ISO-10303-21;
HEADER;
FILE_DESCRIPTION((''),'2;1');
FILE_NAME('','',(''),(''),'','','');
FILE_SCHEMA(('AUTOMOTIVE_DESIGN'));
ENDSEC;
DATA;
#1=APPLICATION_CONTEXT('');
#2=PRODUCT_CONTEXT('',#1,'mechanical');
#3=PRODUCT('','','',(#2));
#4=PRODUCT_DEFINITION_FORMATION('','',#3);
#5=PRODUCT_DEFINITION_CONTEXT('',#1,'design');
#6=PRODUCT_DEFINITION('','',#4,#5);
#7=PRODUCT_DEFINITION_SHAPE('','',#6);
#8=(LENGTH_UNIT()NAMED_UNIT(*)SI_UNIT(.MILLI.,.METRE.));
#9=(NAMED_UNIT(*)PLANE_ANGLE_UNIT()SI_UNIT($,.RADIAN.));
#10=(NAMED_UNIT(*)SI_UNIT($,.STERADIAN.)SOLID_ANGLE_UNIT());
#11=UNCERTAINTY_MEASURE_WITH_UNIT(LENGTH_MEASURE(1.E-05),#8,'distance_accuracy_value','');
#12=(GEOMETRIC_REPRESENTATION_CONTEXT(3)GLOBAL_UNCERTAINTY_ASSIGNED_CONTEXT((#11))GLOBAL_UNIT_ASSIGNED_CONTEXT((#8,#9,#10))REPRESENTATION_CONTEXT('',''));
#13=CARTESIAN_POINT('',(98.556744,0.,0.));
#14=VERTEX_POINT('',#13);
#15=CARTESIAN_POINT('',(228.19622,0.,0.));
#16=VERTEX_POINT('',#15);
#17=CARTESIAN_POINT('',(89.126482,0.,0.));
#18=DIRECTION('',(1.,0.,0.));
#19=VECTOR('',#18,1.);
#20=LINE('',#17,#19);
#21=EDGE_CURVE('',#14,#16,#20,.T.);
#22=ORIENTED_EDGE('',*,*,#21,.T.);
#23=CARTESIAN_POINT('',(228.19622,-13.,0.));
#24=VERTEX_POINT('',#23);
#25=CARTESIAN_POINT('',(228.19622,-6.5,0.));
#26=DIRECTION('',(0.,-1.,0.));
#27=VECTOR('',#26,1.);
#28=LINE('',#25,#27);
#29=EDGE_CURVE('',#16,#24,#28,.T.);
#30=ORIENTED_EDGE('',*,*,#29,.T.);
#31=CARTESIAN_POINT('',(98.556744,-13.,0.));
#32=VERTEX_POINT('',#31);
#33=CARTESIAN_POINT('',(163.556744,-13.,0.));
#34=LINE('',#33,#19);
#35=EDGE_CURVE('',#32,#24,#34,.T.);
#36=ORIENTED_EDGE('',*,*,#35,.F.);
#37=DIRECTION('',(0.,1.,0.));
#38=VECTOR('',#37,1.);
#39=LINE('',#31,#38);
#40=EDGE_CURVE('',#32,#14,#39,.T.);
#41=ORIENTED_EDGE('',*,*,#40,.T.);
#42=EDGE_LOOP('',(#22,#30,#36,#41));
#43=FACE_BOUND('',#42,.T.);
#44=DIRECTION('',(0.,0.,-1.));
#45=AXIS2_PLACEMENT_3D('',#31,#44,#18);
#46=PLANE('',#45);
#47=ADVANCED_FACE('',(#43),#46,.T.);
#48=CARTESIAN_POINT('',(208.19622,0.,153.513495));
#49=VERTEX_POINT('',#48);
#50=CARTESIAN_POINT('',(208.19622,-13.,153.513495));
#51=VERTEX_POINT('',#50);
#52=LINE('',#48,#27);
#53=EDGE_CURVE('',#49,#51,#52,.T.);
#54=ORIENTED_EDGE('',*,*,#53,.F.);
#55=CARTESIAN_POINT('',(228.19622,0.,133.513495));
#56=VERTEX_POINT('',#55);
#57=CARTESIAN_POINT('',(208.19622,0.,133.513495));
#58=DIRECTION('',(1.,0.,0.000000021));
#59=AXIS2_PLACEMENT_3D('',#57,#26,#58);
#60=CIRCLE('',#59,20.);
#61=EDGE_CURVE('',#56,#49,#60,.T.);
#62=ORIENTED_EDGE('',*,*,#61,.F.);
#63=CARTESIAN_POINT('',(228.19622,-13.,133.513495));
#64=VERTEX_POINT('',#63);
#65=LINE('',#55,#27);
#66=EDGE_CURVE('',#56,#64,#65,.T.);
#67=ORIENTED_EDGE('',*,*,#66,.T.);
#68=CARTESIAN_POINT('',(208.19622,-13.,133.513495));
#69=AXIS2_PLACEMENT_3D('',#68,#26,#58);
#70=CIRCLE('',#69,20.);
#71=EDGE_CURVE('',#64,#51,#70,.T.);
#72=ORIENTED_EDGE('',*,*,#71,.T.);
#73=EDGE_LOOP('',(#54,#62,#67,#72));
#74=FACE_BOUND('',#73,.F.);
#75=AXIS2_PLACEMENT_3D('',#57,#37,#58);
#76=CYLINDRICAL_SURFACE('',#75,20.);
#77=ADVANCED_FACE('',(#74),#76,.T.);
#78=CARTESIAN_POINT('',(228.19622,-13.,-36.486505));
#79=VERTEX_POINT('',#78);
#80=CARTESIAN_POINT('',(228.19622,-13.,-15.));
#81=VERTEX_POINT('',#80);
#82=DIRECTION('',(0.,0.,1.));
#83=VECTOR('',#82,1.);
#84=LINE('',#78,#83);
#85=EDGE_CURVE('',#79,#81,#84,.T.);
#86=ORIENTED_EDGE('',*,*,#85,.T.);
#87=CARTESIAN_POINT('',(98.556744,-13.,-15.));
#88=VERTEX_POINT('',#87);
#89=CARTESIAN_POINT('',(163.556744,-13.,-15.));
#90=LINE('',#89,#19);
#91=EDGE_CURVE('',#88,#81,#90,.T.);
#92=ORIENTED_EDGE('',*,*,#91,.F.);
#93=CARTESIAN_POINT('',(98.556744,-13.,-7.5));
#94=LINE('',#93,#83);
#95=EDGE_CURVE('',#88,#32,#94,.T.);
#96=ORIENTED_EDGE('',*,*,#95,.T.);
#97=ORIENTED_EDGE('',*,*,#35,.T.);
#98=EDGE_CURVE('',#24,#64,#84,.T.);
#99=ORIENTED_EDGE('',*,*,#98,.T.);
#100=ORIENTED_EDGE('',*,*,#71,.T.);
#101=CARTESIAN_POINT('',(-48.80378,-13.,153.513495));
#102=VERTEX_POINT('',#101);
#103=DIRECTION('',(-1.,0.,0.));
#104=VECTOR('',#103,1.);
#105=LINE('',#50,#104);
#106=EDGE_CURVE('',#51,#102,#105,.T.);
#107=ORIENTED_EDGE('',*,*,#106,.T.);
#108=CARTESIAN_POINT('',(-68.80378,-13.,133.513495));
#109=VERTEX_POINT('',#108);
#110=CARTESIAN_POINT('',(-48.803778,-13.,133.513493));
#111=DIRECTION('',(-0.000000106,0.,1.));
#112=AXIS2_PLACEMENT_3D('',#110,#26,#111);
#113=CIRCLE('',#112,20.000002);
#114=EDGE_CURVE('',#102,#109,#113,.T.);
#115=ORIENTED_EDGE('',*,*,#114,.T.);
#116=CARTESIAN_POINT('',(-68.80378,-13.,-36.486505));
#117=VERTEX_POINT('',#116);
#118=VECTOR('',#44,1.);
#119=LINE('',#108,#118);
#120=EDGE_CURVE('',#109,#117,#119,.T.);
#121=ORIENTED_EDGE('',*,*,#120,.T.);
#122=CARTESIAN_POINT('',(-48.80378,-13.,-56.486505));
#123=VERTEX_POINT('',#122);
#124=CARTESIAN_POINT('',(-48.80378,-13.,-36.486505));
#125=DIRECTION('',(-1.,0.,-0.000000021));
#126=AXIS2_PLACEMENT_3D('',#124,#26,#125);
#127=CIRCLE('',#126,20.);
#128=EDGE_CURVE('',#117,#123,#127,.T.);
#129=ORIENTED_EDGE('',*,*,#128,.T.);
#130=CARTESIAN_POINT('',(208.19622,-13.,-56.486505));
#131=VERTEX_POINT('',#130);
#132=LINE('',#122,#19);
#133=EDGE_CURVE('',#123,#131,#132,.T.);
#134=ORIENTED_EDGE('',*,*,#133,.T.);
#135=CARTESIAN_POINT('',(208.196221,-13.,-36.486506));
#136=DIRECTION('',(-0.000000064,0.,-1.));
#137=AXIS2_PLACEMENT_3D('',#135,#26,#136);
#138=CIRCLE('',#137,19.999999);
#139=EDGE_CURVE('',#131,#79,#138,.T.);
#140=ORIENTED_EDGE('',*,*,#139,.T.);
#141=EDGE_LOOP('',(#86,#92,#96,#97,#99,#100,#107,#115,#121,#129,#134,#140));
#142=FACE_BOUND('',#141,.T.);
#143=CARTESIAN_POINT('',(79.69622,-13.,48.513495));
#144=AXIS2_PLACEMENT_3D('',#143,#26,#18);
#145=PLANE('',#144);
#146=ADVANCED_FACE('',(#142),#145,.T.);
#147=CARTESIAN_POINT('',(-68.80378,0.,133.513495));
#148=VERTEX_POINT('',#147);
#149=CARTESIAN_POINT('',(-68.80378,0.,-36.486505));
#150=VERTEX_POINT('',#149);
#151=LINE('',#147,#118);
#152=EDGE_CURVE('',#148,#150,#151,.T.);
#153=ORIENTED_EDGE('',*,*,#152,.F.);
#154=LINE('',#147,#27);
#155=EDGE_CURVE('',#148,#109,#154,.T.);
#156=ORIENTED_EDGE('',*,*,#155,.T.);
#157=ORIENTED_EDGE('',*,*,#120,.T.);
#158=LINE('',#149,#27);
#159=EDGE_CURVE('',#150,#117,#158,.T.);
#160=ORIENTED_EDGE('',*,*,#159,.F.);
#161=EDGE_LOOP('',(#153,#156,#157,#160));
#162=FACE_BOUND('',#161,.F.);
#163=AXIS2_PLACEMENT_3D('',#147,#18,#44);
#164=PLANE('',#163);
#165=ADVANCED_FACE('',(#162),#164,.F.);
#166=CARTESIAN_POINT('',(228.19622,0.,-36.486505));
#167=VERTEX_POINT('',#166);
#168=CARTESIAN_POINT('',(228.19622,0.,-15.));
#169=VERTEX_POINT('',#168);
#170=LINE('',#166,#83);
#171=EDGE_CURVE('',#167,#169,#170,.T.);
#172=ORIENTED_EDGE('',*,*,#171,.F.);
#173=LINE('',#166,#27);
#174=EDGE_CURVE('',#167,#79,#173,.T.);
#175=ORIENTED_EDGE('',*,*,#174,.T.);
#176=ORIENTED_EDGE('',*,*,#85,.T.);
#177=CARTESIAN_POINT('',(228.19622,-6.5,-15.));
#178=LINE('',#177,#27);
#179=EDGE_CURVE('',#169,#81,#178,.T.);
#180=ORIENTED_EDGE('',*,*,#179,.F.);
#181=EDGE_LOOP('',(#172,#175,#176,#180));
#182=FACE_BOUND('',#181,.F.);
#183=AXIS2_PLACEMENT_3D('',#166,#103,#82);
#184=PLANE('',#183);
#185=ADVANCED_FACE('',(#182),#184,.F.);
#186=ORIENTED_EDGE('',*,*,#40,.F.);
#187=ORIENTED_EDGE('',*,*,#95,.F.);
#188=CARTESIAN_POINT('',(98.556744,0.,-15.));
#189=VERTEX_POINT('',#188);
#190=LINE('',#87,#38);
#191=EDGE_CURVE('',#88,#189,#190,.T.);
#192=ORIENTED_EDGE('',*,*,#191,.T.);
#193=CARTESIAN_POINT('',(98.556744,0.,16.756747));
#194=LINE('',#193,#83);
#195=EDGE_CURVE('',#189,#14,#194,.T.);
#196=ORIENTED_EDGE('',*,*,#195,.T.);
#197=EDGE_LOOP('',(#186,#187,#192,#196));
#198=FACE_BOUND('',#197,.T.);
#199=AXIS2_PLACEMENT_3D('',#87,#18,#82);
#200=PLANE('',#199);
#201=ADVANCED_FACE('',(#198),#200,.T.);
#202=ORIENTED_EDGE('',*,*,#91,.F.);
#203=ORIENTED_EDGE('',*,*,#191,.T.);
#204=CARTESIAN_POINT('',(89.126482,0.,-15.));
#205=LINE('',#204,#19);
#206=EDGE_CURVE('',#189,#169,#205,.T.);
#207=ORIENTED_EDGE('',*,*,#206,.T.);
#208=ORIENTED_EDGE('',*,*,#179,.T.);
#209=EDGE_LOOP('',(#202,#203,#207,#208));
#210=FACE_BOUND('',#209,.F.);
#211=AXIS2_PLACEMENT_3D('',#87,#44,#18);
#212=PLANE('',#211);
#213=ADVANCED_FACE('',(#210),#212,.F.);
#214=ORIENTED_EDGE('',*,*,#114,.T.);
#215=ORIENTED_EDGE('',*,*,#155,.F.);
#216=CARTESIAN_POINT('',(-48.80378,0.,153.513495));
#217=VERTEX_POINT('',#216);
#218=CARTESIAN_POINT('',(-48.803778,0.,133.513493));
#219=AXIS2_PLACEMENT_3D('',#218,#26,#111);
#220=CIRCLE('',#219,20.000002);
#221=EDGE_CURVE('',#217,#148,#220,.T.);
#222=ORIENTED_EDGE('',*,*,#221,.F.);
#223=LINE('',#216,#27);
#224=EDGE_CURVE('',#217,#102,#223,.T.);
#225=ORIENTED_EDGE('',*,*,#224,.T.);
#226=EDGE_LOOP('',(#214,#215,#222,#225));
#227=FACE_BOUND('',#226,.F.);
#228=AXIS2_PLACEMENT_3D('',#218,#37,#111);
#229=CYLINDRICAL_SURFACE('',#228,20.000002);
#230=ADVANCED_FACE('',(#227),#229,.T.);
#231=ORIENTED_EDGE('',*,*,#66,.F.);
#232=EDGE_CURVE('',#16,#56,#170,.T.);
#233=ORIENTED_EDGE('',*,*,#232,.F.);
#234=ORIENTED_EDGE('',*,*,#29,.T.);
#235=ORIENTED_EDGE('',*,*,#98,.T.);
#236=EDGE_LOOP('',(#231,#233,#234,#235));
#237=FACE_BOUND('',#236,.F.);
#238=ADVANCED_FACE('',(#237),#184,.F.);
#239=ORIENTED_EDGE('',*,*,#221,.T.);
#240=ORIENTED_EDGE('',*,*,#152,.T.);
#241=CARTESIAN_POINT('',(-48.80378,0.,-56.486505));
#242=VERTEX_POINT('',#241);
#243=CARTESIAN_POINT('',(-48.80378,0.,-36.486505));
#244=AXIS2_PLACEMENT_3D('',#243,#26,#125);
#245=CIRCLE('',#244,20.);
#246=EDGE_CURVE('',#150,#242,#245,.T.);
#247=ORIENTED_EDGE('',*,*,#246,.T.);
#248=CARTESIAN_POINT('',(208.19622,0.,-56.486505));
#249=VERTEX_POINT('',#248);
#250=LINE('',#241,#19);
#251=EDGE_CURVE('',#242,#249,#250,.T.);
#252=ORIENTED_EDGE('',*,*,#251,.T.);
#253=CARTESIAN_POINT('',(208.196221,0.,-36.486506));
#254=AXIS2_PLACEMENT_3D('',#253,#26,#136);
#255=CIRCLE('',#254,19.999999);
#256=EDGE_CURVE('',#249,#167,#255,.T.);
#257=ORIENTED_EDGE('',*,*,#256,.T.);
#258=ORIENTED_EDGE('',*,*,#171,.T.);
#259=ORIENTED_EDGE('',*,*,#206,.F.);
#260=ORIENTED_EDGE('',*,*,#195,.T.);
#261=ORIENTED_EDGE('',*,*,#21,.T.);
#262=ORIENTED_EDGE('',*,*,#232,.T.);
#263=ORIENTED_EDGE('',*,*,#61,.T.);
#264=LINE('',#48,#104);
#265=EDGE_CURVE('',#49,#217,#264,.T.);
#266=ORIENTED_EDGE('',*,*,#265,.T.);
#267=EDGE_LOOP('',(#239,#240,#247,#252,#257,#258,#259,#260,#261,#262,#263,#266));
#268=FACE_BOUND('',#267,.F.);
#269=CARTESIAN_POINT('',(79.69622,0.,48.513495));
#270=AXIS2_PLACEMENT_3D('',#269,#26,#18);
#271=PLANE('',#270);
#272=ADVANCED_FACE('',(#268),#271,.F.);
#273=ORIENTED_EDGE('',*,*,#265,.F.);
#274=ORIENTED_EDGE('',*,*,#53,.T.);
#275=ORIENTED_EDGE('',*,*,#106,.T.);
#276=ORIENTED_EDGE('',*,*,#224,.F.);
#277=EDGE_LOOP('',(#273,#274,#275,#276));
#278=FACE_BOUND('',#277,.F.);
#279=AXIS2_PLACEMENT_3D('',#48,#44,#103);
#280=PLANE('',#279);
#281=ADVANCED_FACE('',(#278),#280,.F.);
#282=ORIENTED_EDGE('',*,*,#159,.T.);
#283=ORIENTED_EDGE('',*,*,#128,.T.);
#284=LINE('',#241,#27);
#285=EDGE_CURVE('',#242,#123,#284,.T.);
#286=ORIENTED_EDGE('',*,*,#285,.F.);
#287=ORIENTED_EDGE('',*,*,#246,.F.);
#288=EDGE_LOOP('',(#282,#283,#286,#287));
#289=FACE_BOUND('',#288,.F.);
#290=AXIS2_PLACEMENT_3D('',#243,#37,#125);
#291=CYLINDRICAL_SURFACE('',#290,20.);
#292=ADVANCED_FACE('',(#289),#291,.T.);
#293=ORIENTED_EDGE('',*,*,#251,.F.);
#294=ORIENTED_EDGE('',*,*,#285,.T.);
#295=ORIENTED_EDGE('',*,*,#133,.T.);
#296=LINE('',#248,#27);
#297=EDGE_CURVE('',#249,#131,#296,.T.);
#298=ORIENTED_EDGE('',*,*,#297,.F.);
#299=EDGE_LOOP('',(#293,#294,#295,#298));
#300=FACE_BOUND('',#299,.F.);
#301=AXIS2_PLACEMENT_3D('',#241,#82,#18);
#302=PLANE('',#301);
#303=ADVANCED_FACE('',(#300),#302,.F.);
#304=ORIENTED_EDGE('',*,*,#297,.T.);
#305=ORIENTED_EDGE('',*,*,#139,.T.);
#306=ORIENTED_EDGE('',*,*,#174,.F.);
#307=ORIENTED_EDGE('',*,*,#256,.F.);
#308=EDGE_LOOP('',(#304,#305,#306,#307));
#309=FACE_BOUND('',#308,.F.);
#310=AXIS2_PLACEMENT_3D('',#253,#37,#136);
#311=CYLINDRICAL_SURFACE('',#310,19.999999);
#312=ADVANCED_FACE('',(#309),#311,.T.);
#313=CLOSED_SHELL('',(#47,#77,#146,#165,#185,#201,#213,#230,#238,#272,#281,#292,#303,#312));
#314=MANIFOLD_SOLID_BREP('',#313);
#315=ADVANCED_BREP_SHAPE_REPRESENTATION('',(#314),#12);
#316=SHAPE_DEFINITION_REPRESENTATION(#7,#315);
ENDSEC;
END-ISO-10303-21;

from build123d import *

# Parameters (mm, degrees)
F1_DEPTH = 13
F2_W     = 130
F2_H     = 15
F3_DEPTH = 25


with BuildPart() as f1:
    # F0 (on Front) → F1 (new body)
    with BuildSketch(Plane.XZ):
        with BuildLine():
            Line((208.19622, 153.513495), (-48.80378, 153.513495))
            ThreePointArc((-48.80378, 153.513495), (-62.945915, 147.65563), (-68.80378, 133.513495))
            Line((-68.80378, 133.513495), (-68.80378, -36.486505))
            ThreePointArc((-68.80378, -36.486505), (-62.945915, -50.628641), (-48.80378, -56.486505))
            Line((-48.80378, -56.486505), (208.19622, -56.486505))
            ThreePointArc((208.19622, -56.486505), (222.338356, -50.628641), (228.19622, -36.486505))
            Line((228.19622, -36.486505), (228.19622, 133.513495))
            ThreePointArc((228.19622, 133.513495), (222.338356, 147.65563), (208.19622, 153.513495))
        make_face()
    extrude(amount=F1_DEPTH)

    # F2 (on face) → F3 (cut)
    with BuildSketch(Plane.XZ.offset(13)):
        with Locations((163.556744, -7.5)):
            Rectangle(F2_W, F2_H)
    extrude(amount=-F3_DEPTH, mode=Mode.SUBTRACT)


solid = f1.part
